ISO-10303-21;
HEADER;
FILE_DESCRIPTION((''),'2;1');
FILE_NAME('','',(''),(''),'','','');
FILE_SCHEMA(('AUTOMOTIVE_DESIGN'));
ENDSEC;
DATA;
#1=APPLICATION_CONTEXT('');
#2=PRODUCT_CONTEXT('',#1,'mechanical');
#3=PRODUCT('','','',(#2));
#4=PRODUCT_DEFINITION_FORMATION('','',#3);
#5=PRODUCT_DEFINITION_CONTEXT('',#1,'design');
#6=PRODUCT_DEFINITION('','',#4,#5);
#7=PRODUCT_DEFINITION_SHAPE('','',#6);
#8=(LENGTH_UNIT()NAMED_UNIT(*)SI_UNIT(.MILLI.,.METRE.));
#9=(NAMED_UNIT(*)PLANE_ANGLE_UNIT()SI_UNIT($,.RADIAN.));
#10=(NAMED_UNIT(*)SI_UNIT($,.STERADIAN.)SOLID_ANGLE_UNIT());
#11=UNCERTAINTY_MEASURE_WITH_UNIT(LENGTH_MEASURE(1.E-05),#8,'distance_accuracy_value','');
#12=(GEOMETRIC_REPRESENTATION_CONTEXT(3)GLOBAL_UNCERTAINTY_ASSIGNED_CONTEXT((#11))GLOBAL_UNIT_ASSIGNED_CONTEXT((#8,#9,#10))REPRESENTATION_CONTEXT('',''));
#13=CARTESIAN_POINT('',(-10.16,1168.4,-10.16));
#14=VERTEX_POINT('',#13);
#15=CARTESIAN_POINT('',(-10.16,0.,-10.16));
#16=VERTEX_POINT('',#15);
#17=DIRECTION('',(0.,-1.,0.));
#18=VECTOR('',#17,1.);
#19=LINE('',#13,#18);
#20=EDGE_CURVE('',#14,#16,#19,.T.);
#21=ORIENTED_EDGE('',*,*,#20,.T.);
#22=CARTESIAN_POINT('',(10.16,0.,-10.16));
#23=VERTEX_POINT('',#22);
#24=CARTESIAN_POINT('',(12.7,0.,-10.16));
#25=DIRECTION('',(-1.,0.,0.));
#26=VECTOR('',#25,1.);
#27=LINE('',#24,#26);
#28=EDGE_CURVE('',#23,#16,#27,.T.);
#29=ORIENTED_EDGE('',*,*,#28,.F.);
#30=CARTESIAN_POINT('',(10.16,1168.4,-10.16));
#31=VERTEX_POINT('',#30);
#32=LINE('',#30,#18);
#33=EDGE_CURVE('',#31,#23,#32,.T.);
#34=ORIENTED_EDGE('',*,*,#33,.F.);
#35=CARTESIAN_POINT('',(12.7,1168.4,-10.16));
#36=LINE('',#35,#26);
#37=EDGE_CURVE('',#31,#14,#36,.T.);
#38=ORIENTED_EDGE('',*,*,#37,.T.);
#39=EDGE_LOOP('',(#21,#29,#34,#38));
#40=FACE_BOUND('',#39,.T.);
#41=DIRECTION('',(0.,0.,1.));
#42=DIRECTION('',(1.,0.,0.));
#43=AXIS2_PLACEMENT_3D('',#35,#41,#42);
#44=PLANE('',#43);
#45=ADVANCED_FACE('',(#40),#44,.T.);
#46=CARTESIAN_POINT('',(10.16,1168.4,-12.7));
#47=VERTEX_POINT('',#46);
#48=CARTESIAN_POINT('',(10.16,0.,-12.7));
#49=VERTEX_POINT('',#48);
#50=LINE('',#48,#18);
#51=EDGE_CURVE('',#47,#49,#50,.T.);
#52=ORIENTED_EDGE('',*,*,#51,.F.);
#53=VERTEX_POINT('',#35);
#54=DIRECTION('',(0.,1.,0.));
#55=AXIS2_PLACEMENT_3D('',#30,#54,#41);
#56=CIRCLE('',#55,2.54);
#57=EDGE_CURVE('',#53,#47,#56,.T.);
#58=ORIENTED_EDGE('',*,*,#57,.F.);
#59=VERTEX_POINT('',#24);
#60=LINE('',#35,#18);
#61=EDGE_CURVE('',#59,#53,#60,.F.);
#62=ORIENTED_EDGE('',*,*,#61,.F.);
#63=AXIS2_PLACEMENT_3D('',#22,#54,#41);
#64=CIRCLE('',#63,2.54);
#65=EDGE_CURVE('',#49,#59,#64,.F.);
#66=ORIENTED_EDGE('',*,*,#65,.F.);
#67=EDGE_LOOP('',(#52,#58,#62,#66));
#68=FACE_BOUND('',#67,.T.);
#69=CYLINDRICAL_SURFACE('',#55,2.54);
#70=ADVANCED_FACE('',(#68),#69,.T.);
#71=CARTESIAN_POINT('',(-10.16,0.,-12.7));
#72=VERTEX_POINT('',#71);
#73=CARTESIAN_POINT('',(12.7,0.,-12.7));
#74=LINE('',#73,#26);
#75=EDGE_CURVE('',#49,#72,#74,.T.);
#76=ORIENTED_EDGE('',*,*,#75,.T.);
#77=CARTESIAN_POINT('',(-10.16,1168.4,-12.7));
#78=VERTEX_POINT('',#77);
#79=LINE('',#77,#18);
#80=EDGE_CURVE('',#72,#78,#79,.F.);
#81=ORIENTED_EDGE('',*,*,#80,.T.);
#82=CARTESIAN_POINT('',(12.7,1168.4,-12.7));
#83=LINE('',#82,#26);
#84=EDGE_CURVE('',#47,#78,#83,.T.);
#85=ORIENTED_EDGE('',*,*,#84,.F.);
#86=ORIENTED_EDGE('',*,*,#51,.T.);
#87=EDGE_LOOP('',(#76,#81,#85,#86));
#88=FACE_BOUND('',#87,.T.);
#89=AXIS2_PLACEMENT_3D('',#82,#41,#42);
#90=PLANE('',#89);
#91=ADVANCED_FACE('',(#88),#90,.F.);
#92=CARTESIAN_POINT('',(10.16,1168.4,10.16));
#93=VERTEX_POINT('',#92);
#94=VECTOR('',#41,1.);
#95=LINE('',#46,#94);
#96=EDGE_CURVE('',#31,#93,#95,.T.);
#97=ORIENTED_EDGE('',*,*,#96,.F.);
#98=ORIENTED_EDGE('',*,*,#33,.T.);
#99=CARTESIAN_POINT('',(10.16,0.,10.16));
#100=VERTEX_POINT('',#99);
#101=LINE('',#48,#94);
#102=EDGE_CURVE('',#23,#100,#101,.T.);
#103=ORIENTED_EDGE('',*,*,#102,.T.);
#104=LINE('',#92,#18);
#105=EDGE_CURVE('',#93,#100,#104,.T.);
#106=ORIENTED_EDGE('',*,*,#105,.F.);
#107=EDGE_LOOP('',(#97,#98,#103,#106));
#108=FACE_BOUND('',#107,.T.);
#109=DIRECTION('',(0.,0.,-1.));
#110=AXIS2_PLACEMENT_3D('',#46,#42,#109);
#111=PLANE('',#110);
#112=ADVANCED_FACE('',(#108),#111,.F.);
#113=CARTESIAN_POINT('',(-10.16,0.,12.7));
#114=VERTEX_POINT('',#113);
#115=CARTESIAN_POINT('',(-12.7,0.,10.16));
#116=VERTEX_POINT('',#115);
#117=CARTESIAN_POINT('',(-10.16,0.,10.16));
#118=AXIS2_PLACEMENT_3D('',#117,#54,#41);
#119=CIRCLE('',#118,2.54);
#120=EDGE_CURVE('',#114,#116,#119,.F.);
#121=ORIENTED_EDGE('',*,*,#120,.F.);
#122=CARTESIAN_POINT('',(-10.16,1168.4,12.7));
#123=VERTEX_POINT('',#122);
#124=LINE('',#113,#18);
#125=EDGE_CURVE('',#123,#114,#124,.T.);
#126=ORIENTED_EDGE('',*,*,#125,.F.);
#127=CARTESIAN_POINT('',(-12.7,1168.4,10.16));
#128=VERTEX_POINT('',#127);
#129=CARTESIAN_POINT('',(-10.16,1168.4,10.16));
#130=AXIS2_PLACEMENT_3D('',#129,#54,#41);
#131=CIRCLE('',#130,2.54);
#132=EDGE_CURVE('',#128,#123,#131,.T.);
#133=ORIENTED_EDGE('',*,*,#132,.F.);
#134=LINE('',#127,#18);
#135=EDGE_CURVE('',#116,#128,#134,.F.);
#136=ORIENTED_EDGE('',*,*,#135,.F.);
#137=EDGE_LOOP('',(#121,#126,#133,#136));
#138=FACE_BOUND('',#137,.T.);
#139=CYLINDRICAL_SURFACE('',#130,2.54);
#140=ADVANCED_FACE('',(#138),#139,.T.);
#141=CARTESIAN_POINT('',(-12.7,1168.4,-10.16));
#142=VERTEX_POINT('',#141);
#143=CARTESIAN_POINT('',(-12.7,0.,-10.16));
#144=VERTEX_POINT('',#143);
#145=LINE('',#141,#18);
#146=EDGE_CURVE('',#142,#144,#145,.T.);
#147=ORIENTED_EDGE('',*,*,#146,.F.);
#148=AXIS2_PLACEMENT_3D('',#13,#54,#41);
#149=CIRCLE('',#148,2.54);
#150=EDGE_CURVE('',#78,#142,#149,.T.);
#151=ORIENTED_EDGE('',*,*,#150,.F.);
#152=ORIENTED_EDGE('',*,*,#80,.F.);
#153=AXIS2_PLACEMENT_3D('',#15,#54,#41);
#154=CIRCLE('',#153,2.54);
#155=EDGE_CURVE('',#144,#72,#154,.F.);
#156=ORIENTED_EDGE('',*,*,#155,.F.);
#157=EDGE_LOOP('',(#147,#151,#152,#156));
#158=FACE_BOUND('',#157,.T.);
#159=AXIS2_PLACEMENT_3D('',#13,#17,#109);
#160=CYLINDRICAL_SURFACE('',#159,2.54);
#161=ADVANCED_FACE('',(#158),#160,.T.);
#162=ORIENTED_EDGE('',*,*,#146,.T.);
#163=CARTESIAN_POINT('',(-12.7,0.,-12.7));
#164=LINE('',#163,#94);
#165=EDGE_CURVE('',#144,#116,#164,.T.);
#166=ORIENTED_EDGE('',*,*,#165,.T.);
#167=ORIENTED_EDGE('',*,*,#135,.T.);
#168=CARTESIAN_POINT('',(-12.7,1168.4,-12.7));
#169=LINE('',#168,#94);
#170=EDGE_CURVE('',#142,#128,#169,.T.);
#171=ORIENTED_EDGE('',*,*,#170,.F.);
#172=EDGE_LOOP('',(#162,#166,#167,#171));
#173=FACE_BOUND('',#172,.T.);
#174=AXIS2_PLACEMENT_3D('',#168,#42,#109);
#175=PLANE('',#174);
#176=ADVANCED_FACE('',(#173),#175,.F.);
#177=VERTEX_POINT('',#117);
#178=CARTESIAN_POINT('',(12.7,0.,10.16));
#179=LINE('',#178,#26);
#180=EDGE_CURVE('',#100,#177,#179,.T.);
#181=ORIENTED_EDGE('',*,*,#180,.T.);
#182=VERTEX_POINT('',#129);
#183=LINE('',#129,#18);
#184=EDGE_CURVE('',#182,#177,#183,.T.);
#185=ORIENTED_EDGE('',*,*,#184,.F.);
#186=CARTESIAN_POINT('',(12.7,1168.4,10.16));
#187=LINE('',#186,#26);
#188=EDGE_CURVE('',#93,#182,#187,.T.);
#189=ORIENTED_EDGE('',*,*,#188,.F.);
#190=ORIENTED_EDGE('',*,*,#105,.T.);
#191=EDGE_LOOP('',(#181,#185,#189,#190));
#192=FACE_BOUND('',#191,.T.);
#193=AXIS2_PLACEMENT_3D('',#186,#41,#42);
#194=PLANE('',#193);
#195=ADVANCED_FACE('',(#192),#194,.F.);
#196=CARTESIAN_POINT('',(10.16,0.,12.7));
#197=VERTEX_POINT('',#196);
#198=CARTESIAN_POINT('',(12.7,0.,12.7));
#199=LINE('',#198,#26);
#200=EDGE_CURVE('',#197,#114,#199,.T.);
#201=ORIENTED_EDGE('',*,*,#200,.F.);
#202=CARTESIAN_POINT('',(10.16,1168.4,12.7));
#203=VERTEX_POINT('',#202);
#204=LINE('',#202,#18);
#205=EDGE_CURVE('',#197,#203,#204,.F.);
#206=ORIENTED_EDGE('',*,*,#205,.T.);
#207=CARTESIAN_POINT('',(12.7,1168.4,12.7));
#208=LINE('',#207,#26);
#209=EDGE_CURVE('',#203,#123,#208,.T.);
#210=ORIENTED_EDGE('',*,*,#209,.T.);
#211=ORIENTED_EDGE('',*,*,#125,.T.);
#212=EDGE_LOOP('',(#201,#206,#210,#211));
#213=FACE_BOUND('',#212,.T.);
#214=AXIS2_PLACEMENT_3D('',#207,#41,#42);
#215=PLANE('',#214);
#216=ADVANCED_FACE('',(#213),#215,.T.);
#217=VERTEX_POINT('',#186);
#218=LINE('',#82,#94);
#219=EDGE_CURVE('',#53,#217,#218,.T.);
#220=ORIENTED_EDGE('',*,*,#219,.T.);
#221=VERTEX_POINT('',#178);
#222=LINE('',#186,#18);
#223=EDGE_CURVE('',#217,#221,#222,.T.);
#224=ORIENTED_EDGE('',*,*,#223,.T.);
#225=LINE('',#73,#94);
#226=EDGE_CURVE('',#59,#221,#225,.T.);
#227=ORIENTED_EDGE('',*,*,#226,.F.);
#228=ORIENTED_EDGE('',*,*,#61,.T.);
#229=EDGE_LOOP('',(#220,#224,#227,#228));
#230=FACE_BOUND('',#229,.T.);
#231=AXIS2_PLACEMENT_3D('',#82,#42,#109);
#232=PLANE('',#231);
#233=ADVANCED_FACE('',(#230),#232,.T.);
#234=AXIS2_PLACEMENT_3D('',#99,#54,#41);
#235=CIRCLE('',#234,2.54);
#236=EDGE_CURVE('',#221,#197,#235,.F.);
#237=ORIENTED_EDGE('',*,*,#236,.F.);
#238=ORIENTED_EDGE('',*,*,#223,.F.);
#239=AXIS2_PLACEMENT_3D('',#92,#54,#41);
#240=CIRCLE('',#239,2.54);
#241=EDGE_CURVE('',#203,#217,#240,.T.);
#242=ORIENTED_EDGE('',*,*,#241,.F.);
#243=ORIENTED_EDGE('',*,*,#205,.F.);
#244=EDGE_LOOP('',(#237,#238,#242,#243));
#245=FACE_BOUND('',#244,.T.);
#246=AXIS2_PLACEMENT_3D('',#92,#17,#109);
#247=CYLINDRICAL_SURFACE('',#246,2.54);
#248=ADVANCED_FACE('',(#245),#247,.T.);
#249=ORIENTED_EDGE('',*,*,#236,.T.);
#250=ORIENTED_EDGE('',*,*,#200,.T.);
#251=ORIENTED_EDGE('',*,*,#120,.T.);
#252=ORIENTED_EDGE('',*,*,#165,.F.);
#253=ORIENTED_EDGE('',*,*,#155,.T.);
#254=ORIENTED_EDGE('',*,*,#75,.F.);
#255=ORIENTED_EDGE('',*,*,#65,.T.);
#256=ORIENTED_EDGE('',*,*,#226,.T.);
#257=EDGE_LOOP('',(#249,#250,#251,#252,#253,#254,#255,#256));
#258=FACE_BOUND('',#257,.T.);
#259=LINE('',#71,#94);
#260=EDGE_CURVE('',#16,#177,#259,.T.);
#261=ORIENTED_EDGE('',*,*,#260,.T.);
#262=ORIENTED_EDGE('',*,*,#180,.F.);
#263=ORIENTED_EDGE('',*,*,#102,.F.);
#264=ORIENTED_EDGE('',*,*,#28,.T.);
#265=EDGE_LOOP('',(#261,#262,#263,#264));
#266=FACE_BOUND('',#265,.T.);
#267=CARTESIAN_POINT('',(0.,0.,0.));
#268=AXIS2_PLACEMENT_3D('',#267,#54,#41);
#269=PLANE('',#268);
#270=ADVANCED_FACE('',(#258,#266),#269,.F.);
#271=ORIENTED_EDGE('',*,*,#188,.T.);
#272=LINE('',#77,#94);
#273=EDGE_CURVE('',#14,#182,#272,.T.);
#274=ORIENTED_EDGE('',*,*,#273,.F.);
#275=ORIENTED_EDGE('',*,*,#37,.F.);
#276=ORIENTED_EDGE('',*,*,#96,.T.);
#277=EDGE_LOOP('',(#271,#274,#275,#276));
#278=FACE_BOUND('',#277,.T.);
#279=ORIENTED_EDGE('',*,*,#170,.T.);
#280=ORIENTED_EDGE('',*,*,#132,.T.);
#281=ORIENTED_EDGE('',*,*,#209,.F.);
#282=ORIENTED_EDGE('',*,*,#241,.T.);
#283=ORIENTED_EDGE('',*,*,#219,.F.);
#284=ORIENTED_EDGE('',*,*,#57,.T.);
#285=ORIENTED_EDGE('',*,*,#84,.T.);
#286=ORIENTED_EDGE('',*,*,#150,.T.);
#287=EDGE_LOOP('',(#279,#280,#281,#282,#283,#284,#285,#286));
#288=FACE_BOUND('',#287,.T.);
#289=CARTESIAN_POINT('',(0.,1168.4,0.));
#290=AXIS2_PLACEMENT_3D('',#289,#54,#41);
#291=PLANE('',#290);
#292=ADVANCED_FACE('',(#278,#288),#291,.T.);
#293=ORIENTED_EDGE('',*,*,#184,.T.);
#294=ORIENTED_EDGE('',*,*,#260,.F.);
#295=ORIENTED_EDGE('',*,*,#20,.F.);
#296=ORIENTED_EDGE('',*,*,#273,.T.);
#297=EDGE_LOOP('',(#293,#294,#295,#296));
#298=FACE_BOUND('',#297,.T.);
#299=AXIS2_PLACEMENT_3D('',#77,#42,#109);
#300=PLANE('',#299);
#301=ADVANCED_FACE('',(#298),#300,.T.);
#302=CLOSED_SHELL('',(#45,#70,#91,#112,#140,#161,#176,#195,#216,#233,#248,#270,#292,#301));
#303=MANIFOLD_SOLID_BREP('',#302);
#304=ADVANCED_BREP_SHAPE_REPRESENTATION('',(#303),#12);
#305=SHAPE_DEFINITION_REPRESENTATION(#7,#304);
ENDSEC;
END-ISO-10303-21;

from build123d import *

# Parameters (mm, degrees)
SKETCH4_W           = 25.4
SKETCH4_H           = 25.4
BOSS_EXTRUDE6_DEPTH = 1168.4
SHELL1_T            = -2.54
FILLET1_R           = 2.54


with BuildPart() as part:
    # Sketch4 → Boss-Extrude6 (new body)
    with BuildSketch(Plane(origin=(0, 0, 0), x_dir=(1, 0, 0), z_dir=(0, 1, 0))):
        Rectangle(SKETCH4_W, SKETCH4_H)
    extrude(amount=BOSS_EXTRUDE6_DEPTH)

    # Shell1
    shell1_openings = [part.faces().sort_by_distance(p)[0] for p in [
        (0, 1168.4, 0),
        (0, 0, 0),
    ]]
    offset(amount=SHELL1_T, openings=shell1_openings, kind=Kind.INTERSECTION)

    # Fillet1
    fillet1_edges = [part.edges().sort_by_distance(p)[0] for p in [
        (12.7, 584.2, -12.7),
        (12.7, 584.2, 12.7),
        (-12.7, 584.2, 12.7),
        (-12.7, 584.2, -12.7),
    ]]
    fillet(fillet1_edges, radius=FILLET1_R)


solid = part.part
